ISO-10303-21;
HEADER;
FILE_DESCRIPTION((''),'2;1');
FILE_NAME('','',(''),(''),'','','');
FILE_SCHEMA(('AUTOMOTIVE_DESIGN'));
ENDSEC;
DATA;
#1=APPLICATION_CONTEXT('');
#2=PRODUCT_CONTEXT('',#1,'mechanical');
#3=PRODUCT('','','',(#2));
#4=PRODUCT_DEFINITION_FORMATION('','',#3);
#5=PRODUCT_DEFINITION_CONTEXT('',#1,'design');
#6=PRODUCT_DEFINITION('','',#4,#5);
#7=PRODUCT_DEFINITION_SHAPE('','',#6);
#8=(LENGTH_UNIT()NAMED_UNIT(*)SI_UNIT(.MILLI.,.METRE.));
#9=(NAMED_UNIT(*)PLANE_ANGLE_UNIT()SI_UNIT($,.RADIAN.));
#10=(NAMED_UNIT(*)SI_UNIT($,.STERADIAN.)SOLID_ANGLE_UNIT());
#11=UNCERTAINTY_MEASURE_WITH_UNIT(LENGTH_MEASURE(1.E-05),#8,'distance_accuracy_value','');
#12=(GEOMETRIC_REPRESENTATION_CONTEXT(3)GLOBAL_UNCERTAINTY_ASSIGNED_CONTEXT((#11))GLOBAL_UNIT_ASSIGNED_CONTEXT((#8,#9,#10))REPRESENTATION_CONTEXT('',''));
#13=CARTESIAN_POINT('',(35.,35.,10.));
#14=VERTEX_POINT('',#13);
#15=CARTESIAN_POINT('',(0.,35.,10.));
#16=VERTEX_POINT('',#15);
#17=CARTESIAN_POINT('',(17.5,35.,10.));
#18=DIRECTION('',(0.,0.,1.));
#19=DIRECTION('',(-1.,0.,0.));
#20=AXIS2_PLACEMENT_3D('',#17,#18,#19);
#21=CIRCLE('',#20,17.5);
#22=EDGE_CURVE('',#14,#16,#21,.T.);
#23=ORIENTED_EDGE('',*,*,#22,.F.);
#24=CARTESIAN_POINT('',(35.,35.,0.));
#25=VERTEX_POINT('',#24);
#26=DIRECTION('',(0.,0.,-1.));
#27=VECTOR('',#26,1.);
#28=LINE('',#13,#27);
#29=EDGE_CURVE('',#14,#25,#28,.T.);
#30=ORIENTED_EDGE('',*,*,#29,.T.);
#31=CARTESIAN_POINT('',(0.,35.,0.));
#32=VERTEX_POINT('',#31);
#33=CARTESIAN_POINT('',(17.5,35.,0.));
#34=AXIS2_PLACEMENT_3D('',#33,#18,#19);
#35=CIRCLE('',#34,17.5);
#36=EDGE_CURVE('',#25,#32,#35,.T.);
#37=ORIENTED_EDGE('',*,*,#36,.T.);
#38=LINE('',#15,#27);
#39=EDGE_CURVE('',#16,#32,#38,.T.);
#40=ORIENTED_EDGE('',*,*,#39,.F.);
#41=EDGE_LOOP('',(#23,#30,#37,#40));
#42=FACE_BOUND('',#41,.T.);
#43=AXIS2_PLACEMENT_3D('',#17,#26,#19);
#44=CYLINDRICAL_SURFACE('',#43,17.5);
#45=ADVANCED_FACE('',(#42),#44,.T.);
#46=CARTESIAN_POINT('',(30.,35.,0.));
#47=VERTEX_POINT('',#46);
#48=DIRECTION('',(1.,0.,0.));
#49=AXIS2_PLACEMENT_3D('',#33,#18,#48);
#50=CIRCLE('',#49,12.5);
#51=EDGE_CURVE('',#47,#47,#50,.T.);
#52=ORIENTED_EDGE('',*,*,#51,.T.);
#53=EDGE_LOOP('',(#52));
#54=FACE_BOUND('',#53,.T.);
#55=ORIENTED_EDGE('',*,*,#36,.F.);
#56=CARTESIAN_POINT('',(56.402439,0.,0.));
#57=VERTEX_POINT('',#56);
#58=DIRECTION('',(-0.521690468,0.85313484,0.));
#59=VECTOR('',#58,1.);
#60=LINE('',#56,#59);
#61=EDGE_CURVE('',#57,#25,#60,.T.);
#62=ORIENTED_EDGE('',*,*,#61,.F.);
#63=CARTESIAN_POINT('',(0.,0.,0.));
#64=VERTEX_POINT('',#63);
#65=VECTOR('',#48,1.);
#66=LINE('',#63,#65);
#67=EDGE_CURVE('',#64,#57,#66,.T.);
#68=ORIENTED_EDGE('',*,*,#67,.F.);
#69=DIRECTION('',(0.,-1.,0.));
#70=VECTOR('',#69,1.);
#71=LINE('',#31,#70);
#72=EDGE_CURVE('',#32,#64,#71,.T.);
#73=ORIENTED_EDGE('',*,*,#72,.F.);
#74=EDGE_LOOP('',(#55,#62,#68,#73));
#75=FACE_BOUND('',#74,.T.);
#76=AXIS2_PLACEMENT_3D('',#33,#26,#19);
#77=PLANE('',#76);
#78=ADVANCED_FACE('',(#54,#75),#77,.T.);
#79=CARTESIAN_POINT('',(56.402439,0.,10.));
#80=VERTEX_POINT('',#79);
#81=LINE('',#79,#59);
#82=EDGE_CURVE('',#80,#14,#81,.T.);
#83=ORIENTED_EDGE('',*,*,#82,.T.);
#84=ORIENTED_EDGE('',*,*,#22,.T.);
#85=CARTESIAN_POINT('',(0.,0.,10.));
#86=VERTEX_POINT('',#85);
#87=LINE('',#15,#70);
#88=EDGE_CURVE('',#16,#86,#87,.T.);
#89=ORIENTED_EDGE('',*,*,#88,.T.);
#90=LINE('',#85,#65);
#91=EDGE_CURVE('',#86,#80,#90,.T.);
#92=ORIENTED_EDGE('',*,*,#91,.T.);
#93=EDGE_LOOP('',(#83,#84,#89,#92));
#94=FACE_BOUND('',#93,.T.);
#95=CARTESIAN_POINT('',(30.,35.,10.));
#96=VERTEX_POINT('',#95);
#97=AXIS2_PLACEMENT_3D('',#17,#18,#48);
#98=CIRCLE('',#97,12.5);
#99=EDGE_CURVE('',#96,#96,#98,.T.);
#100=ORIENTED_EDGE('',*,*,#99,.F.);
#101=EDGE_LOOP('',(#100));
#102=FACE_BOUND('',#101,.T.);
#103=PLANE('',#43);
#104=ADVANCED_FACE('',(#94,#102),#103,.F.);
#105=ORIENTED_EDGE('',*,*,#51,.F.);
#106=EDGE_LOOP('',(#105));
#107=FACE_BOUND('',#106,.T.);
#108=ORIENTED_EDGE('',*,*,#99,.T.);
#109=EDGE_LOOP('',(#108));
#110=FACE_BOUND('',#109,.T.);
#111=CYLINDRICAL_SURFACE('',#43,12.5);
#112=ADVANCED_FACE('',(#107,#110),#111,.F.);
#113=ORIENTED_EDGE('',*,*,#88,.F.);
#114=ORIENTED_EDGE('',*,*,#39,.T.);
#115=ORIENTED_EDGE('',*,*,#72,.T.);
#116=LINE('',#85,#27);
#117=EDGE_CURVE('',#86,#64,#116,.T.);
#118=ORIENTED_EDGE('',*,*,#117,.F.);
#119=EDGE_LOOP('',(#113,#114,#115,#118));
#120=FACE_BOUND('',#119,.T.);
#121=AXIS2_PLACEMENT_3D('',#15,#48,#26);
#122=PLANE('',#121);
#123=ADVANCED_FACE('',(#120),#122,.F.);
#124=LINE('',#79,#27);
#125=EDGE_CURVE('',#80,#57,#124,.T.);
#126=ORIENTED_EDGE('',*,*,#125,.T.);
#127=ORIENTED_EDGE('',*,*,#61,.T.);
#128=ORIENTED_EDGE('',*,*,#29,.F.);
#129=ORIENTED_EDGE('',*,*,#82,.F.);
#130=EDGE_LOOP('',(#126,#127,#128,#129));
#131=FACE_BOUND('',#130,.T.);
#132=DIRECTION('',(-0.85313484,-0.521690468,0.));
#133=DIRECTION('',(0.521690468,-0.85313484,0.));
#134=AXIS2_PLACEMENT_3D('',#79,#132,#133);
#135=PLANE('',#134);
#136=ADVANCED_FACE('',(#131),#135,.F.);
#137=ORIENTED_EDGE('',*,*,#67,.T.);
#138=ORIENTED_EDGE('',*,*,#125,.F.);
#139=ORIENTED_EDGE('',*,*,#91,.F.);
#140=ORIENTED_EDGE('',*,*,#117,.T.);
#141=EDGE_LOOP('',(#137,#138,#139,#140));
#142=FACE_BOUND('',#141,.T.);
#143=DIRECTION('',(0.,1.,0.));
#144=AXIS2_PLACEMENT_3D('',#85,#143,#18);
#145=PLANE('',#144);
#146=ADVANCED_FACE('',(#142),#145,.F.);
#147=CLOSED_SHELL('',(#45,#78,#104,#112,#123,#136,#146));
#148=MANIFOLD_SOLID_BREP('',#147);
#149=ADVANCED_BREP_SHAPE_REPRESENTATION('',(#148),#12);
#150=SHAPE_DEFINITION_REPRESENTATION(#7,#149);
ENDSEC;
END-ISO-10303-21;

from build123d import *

# Parameters (mm, degrees)
SKETCH1_R           = 12.5
BOSS_EXTRUDE1_DEPTH = 10


with BuildPart() as part:
    # Sketch1 → Boss-Extrude1 (new body)
    with BuildSketch(Plane.XY):
        with BuildLine():
            Line((0, 35), (0, 0))
            Line((0, 0), (56.402439024, 0))
            Line((56.402439024, 0), (35, 35))
            ThreePointArc((35, 35), (17.5, 52.5), (0, 35))
        make_face()
        with Locations((17.5, 35)):
            Circle(SKETCH1_R, mode=Mode.SUBTRACT)
    extrude(amount=BOSS_EXTRUDE1_DEPTH)


solid = part.part
